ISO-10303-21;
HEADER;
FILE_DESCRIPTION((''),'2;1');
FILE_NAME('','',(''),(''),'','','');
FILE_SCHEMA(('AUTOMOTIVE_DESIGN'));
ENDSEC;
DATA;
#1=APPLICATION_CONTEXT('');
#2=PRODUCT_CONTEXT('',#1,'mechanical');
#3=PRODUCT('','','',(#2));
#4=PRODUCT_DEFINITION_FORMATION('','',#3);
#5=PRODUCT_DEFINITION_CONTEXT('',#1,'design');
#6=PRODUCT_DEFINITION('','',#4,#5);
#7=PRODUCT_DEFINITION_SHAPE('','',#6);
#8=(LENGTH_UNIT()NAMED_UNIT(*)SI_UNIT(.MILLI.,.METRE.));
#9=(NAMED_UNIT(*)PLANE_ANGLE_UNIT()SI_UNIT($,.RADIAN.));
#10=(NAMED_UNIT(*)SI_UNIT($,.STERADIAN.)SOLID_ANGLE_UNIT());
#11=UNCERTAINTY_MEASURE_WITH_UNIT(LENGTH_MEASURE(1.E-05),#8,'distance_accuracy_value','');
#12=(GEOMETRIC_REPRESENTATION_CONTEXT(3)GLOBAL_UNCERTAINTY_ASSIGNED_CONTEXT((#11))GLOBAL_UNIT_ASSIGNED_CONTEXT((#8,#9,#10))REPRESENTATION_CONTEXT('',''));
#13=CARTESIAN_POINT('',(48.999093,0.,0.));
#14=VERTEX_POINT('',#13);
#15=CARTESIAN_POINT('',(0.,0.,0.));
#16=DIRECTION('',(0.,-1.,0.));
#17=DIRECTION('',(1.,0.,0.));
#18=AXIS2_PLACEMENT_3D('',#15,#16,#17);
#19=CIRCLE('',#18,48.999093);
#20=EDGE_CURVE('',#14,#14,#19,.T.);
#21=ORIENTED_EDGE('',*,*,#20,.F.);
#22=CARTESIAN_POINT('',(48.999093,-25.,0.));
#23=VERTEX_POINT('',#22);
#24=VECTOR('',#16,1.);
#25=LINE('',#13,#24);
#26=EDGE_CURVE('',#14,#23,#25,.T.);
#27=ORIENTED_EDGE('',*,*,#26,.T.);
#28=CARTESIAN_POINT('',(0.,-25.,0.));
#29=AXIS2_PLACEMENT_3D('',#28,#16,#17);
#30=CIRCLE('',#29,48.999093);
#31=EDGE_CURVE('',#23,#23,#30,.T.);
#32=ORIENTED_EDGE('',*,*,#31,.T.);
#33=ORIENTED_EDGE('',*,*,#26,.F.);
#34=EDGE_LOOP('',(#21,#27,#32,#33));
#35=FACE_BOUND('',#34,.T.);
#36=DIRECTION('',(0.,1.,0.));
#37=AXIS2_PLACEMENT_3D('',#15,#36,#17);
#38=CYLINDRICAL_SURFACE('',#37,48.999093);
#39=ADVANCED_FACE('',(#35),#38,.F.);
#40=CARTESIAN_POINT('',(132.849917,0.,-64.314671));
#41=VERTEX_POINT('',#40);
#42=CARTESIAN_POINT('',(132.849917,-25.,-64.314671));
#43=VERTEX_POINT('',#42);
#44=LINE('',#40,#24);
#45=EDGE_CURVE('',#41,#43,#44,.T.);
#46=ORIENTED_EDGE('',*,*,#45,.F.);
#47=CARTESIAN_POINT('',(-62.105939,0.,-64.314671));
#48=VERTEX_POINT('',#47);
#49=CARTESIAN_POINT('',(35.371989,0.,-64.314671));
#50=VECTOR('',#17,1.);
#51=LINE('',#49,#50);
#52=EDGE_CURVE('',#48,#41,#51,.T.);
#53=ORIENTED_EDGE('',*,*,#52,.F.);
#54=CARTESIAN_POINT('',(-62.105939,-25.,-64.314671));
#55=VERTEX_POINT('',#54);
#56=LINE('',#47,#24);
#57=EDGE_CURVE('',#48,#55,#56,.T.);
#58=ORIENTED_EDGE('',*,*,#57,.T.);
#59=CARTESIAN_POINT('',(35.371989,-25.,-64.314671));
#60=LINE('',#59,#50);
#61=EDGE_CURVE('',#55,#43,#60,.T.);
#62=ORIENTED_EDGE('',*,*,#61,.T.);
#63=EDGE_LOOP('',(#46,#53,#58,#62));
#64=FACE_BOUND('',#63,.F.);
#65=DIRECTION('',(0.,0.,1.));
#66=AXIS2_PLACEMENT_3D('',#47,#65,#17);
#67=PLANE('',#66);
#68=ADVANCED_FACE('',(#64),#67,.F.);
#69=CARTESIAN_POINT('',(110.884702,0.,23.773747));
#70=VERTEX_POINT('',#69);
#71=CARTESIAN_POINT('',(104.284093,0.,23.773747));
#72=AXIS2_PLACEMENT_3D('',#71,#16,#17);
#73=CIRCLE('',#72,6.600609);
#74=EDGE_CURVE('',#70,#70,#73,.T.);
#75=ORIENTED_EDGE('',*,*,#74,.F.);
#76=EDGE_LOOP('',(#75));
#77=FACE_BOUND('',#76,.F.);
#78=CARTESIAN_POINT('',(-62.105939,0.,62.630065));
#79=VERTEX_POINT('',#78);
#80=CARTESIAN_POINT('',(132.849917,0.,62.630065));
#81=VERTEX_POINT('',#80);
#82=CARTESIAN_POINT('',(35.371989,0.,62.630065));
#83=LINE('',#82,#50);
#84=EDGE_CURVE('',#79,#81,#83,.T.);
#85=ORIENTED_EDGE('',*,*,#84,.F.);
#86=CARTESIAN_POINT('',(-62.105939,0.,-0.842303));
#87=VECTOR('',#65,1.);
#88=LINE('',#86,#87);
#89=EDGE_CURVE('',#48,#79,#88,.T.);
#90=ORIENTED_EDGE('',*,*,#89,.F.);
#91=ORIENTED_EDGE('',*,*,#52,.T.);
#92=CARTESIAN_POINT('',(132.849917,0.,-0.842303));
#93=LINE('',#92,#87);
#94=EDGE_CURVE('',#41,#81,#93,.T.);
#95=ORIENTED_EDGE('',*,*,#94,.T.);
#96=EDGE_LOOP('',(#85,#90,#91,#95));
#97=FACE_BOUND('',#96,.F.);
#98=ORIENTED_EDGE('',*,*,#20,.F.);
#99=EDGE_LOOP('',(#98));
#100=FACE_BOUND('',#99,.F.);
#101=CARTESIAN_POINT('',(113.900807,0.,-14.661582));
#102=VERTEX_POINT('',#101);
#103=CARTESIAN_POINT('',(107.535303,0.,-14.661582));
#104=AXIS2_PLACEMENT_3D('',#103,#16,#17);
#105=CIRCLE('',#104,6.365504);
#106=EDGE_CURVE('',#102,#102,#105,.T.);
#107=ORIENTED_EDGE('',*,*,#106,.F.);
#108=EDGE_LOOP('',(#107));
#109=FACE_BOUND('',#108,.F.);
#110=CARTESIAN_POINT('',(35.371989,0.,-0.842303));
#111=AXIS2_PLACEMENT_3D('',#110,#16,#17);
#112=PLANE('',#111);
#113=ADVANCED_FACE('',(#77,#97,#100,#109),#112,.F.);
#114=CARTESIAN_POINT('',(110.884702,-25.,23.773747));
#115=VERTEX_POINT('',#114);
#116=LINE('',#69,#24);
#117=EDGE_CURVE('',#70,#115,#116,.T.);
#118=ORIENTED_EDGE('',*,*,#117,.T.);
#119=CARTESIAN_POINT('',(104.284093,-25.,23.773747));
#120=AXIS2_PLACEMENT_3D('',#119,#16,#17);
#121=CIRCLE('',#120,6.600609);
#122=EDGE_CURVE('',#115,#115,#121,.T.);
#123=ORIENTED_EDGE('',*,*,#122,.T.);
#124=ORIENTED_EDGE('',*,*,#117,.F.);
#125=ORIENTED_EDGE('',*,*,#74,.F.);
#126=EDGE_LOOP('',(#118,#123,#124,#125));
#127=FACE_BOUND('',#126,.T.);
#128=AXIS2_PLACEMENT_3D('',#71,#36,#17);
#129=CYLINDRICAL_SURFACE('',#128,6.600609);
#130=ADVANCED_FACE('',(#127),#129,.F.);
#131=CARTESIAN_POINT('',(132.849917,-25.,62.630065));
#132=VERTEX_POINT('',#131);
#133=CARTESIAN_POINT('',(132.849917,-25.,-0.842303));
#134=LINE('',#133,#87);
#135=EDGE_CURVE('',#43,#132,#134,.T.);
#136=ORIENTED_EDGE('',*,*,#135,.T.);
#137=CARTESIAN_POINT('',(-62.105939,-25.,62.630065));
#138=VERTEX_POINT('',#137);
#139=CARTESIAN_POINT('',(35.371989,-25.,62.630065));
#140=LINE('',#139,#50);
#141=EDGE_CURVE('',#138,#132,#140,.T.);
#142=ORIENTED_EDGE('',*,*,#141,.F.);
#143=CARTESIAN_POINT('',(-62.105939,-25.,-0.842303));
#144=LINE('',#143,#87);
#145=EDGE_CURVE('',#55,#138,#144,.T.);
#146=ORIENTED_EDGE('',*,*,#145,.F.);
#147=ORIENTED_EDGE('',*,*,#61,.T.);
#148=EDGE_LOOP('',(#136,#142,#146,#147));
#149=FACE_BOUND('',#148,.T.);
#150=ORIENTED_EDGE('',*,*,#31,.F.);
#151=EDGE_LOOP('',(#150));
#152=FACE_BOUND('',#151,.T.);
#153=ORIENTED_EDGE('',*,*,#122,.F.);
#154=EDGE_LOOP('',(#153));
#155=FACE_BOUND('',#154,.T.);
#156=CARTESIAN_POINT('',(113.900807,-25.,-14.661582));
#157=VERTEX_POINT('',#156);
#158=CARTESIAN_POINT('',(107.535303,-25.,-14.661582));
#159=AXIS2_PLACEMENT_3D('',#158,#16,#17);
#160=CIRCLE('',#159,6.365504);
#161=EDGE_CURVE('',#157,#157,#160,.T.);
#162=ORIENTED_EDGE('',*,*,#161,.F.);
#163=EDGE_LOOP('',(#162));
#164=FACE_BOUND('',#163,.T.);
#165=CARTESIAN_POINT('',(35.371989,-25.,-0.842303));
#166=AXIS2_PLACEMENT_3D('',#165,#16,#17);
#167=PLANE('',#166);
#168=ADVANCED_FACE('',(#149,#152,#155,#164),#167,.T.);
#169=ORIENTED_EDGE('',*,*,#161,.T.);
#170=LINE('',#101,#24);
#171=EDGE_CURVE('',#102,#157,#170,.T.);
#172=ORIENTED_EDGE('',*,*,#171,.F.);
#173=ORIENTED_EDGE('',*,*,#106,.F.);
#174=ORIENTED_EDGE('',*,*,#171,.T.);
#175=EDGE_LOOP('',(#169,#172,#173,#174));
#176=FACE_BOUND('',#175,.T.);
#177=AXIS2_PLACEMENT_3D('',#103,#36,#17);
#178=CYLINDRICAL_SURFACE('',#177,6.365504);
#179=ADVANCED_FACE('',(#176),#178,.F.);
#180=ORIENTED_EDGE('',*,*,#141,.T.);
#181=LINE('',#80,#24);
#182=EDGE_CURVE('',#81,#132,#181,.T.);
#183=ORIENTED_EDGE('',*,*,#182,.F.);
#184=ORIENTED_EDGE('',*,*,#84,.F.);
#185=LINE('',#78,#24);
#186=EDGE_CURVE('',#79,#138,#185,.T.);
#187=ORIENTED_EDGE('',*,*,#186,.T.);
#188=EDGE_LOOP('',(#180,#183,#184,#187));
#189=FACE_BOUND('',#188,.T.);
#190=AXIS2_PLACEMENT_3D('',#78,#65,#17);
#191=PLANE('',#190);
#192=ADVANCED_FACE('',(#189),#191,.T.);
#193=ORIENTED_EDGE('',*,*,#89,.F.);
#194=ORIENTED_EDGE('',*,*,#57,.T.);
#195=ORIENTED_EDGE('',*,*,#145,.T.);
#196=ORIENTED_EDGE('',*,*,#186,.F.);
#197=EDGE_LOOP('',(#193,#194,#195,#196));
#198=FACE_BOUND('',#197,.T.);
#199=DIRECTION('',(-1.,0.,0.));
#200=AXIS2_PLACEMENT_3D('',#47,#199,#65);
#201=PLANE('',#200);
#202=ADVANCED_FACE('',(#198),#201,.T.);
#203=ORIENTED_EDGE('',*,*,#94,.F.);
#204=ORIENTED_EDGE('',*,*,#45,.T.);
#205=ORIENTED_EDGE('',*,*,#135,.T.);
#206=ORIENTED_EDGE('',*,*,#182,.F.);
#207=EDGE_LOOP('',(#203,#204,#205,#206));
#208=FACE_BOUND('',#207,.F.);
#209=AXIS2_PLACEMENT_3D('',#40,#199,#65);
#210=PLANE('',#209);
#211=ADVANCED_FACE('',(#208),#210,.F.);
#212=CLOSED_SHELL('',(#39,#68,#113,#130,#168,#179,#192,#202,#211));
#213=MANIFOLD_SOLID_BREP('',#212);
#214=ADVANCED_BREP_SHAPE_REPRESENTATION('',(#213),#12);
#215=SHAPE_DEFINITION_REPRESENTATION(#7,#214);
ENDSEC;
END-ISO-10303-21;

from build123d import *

# Parameters (mm, degrees)
F0_W     = 194.955856
F0_H     = 126.944736
F0_R     = 6.365504
F0_R_2   = 48.999093
F0_R_3   = 6.600609
F1_DEPTH = 25


with BuildPart() as f1:
    # F0 (on Front) → F1 (new body)
    with BuildSketch(Plane.XZ):
        with Locations((35.371989, -0.842303)):
            Rectangle(F0_W, F0_H)
        with Locations((107.535303, -14.661582)):
            Circle(F0_R, mode=Mode.SUBTRACT)
        Circle(F0_R_2, mode=Mode.SUBTRACT)
        with Locations((104.284093, 23.773747)):
            Circle(F0_R_3, mode=Mode.SUBTRACT)
    extrude(amount=F1_DEPTH)


solid = f1.part
